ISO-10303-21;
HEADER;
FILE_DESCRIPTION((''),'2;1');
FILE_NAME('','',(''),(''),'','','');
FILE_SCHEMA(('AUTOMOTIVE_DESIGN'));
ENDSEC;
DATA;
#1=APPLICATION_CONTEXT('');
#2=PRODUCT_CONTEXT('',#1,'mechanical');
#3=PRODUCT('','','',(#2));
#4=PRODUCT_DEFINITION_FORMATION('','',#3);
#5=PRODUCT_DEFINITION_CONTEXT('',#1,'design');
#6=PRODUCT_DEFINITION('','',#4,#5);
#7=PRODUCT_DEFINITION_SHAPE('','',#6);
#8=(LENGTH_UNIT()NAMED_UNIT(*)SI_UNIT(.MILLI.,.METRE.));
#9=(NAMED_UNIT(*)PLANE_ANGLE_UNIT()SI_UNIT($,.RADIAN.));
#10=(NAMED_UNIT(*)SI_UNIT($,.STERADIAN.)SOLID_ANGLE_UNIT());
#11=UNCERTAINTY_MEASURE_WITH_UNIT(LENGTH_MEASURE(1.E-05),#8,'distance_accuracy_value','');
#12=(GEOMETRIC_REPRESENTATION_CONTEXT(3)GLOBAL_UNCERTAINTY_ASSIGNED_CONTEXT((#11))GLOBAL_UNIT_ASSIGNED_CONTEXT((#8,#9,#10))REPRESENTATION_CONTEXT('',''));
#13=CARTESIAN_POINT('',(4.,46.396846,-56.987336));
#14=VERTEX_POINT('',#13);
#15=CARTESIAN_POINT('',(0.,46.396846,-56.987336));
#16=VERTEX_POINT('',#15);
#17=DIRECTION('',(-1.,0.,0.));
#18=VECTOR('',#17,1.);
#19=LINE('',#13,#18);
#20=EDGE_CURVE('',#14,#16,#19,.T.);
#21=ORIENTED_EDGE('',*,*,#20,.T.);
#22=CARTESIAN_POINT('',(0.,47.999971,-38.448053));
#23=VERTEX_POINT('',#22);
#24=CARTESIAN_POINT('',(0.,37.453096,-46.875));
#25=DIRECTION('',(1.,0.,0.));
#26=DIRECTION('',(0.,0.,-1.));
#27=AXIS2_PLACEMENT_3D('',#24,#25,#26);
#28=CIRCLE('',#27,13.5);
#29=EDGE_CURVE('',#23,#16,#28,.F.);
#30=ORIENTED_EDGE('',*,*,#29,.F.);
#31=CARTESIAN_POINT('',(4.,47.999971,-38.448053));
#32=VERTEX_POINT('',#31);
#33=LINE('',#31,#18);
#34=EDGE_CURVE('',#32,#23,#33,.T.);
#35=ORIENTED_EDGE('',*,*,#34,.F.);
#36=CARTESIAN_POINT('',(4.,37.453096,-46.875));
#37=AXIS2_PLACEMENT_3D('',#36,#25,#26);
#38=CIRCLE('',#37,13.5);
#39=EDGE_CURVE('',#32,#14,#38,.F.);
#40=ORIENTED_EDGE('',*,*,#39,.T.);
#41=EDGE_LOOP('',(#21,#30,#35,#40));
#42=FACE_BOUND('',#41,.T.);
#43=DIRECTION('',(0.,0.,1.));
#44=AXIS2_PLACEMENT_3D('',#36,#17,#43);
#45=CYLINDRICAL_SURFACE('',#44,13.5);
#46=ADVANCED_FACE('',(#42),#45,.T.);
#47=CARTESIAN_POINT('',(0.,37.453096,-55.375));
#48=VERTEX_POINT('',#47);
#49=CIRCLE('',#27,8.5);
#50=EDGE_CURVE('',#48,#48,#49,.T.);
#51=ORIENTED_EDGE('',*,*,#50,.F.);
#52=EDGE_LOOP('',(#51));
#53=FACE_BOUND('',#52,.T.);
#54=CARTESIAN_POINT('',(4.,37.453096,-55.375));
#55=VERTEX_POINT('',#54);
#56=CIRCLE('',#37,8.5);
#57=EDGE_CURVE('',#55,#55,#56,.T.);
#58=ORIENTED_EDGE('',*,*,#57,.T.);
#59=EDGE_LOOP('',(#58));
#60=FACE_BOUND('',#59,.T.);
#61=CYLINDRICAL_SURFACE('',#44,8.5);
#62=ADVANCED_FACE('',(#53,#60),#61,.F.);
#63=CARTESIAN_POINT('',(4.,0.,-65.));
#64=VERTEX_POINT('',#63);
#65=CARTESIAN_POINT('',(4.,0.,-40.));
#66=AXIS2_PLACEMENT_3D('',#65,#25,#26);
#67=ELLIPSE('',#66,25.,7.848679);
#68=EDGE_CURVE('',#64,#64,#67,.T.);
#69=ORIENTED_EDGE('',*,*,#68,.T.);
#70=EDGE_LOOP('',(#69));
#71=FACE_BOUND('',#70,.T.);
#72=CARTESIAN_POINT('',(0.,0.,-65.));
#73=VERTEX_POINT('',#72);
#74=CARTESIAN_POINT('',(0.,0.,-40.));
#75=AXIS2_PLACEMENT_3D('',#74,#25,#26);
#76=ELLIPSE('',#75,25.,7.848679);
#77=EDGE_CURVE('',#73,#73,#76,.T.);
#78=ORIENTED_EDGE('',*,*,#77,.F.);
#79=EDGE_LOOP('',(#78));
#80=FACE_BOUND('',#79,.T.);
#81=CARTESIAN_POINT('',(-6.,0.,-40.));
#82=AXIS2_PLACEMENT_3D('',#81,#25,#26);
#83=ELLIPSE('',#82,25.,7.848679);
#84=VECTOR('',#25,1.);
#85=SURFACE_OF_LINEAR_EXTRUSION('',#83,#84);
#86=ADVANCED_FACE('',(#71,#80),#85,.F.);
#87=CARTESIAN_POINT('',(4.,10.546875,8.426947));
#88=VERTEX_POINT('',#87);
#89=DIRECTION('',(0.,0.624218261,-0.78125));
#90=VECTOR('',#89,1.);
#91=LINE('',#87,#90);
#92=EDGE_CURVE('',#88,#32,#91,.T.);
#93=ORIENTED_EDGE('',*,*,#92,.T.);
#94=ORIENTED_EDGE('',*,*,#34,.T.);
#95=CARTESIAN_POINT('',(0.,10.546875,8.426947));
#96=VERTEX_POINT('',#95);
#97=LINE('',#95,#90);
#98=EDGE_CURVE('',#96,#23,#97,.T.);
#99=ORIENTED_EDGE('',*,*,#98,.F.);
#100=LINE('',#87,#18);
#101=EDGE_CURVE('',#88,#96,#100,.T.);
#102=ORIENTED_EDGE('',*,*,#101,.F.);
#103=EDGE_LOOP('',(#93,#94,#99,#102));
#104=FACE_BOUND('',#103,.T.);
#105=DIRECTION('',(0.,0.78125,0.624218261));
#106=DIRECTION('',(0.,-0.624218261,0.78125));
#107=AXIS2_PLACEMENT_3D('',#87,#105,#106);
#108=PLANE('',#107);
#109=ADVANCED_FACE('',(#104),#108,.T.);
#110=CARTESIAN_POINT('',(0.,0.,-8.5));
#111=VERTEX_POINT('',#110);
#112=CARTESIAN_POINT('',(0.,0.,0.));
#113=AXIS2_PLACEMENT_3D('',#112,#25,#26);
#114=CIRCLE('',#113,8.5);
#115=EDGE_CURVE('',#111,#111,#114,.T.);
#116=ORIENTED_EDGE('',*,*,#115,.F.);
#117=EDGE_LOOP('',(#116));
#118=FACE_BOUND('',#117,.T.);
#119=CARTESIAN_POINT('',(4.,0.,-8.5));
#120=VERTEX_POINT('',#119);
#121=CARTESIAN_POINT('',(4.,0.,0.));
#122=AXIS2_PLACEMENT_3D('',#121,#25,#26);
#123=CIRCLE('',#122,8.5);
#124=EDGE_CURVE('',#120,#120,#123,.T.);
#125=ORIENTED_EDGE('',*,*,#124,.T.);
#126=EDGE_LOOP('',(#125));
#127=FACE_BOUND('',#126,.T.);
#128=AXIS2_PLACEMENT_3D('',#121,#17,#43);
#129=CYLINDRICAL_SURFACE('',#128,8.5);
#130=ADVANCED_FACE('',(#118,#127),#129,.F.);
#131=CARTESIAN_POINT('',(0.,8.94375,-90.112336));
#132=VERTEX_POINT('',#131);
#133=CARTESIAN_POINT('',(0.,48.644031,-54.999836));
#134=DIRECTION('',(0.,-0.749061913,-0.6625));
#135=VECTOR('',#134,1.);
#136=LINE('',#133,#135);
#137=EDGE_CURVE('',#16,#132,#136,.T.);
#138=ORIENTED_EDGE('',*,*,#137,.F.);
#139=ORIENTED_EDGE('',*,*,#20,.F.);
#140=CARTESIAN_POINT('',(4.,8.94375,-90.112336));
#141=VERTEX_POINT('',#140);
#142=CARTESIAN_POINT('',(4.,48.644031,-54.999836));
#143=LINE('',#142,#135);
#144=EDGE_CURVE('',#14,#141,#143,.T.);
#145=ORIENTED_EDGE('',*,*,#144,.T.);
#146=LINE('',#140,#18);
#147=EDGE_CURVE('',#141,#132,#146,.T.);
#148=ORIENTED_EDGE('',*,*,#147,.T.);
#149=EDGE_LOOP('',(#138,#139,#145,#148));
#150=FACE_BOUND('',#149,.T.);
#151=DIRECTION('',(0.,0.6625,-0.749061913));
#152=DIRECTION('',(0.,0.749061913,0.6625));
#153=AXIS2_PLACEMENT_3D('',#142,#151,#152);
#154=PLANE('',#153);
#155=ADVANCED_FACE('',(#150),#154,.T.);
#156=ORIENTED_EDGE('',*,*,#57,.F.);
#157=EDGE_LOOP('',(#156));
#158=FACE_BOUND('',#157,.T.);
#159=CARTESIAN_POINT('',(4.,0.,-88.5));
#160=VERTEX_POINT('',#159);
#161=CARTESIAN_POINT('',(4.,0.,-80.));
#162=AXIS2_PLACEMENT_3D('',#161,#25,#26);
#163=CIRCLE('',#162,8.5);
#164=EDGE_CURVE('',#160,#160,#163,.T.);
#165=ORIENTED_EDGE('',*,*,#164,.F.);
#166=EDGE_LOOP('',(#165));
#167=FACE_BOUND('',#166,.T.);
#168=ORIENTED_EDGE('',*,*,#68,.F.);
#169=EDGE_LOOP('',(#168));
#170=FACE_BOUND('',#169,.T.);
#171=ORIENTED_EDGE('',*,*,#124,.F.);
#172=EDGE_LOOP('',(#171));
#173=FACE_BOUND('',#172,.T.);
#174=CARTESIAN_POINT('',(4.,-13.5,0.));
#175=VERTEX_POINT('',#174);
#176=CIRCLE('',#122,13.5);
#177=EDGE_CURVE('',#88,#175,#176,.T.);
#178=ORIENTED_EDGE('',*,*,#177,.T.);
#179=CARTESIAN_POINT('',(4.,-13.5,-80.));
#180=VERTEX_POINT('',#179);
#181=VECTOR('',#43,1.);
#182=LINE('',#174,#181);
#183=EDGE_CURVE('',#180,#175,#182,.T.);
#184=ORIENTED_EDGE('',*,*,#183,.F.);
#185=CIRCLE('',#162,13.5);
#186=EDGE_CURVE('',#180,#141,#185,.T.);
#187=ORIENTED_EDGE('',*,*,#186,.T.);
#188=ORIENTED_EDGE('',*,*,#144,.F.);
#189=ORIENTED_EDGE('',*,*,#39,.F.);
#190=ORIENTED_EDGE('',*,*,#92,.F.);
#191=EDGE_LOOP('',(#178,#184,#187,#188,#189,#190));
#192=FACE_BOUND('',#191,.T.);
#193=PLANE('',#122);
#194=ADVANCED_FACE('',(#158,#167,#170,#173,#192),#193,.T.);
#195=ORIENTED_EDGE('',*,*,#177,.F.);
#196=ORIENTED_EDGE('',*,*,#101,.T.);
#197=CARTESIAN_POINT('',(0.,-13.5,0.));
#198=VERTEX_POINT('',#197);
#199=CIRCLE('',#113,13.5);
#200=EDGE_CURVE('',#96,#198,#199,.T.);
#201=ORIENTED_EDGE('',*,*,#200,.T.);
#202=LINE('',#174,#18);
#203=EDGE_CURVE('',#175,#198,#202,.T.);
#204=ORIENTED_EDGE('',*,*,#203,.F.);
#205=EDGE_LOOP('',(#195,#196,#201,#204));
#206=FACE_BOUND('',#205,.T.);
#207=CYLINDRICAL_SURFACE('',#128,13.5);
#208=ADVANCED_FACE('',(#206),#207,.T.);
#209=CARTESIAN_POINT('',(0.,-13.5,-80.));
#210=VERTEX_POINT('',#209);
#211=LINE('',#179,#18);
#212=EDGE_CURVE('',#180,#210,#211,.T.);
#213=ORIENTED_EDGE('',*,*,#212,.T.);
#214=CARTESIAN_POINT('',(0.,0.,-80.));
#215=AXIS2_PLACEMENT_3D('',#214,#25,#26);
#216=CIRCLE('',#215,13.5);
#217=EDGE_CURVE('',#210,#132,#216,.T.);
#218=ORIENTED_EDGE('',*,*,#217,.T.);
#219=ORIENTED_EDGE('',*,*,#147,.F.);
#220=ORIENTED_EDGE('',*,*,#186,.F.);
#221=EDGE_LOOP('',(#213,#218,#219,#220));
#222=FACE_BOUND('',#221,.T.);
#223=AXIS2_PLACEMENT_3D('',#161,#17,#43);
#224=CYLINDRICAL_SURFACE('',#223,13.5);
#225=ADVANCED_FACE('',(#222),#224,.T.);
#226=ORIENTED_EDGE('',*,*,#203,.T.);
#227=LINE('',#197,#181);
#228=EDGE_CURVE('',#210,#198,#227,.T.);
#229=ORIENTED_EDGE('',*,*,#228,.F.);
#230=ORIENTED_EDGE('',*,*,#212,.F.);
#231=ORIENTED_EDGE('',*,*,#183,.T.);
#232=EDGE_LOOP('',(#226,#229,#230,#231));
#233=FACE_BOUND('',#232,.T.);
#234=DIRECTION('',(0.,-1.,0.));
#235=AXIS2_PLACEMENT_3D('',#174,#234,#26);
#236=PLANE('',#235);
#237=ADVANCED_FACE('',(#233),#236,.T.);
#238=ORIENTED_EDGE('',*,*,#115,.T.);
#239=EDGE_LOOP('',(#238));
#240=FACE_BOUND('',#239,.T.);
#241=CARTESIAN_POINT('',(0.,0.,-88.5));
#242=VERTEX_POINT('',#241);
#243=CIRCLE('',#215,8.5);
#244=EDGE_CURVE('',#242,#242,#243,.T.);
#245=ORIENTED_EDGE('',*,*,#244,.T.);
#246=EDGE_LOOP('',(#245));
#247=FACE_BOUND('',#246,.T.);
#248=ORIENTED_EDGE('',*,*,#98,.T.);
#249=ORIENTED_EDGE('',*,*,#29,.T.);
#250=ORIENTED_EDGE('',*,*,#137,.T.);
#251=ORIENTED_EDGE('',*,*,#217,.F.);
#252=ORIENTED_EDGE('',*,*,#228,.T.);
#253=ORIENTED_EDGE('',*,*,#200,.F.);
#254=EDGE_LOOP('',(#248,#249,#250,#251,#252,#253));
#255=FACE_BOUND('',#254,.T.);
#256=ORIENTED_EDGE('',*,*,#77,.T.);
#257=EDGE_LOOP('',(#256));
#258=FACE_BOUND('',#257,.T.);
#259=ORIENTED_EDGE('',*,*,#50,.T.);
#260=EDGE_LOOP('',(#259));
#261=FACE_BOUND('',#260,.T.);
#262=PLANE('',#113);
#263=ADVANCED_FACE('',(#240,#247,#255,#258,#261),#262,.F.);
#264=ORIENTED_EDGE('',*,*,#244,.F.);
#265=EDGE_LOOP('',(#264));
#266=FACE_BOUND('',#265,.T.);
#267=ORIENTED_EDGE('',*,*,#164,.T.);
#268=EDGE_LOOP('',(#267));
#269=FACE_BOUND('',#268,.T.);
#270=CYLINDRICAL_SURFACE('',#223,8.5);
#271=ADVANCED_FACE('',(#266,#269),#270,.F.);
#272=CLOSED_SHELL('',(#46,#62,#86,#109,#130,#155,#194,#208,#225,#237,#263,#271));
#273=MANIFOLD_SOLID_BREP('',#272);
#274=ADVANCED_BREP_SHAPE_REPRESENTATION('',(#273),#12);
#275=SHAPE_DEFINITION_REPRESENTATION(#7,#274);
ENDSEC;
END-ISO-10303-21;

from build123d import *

# Parameters (mm, degrees)
SKETCH_2_R          = 8.5
EXTRUDE_1_DEPTH     = 4
SKETCH_3_RX         = 25
SKETCH_3_RY         = 7.848678542
CUT_EXTRUDE_1_DEPTH = 10


with BuildPart() as part:
    # 草图2 → 凸台-拉伸1 (new body)
    with BuildSketch(Plane(origin=(0, 0, 0), x_dir=(0, 0, -1), z_dir=(1, 0, 0))):
        with BuildLine():
            ThreePointArc((38.448053475, 47.999970666), (48.038029113, 50.902904709), (56.98733583, 46.396845666))
            Line((56.98733583, 46.396845666), (90.11233583, 8.94375))
            ThreePointArc((90.11233583, 8.94375), (92.308343207, -5.545690895), (80, -13.5))
            Line((80, -13.5), (0, -13.5))
            ThreePointArc((0, -13.5), (-12.74034561, -4.464705337), (-8.426946525, 10.546875))
            Line((-8.426946525, 10.546875), (38.448053475, 47.999970666))
        make_face()
        with Locations((80, 0)):
            Circle(SKETCH_2_R, mode=Mode.SUBTRACT)
        with Locations((46.875, 37.453095666)):
            Circle(SKETCH_2_R, mode=Mode.SUBTRACT)
        Circle(SKETCH_2_R, mode=Mode.SUBTRACT)
    extrude(amount=EXTRUDE_1_DEPTH)

    # 草图3 → 切除-拉伸1 (cut)
    with BuildSketch(Plane(origin=(4, 0, 0), x_dir=(0, 0, -1), z_dir=(1, 0, 0))):
        with Locations((40, 0)):
            Ellipse(SKETCH_3_RX, SKETCH_3_RY)
    extrude(amount=-CUT_EXTRUDE_1_DEPTH, mode=Mode.SUBTRACT)


solid = part.part
